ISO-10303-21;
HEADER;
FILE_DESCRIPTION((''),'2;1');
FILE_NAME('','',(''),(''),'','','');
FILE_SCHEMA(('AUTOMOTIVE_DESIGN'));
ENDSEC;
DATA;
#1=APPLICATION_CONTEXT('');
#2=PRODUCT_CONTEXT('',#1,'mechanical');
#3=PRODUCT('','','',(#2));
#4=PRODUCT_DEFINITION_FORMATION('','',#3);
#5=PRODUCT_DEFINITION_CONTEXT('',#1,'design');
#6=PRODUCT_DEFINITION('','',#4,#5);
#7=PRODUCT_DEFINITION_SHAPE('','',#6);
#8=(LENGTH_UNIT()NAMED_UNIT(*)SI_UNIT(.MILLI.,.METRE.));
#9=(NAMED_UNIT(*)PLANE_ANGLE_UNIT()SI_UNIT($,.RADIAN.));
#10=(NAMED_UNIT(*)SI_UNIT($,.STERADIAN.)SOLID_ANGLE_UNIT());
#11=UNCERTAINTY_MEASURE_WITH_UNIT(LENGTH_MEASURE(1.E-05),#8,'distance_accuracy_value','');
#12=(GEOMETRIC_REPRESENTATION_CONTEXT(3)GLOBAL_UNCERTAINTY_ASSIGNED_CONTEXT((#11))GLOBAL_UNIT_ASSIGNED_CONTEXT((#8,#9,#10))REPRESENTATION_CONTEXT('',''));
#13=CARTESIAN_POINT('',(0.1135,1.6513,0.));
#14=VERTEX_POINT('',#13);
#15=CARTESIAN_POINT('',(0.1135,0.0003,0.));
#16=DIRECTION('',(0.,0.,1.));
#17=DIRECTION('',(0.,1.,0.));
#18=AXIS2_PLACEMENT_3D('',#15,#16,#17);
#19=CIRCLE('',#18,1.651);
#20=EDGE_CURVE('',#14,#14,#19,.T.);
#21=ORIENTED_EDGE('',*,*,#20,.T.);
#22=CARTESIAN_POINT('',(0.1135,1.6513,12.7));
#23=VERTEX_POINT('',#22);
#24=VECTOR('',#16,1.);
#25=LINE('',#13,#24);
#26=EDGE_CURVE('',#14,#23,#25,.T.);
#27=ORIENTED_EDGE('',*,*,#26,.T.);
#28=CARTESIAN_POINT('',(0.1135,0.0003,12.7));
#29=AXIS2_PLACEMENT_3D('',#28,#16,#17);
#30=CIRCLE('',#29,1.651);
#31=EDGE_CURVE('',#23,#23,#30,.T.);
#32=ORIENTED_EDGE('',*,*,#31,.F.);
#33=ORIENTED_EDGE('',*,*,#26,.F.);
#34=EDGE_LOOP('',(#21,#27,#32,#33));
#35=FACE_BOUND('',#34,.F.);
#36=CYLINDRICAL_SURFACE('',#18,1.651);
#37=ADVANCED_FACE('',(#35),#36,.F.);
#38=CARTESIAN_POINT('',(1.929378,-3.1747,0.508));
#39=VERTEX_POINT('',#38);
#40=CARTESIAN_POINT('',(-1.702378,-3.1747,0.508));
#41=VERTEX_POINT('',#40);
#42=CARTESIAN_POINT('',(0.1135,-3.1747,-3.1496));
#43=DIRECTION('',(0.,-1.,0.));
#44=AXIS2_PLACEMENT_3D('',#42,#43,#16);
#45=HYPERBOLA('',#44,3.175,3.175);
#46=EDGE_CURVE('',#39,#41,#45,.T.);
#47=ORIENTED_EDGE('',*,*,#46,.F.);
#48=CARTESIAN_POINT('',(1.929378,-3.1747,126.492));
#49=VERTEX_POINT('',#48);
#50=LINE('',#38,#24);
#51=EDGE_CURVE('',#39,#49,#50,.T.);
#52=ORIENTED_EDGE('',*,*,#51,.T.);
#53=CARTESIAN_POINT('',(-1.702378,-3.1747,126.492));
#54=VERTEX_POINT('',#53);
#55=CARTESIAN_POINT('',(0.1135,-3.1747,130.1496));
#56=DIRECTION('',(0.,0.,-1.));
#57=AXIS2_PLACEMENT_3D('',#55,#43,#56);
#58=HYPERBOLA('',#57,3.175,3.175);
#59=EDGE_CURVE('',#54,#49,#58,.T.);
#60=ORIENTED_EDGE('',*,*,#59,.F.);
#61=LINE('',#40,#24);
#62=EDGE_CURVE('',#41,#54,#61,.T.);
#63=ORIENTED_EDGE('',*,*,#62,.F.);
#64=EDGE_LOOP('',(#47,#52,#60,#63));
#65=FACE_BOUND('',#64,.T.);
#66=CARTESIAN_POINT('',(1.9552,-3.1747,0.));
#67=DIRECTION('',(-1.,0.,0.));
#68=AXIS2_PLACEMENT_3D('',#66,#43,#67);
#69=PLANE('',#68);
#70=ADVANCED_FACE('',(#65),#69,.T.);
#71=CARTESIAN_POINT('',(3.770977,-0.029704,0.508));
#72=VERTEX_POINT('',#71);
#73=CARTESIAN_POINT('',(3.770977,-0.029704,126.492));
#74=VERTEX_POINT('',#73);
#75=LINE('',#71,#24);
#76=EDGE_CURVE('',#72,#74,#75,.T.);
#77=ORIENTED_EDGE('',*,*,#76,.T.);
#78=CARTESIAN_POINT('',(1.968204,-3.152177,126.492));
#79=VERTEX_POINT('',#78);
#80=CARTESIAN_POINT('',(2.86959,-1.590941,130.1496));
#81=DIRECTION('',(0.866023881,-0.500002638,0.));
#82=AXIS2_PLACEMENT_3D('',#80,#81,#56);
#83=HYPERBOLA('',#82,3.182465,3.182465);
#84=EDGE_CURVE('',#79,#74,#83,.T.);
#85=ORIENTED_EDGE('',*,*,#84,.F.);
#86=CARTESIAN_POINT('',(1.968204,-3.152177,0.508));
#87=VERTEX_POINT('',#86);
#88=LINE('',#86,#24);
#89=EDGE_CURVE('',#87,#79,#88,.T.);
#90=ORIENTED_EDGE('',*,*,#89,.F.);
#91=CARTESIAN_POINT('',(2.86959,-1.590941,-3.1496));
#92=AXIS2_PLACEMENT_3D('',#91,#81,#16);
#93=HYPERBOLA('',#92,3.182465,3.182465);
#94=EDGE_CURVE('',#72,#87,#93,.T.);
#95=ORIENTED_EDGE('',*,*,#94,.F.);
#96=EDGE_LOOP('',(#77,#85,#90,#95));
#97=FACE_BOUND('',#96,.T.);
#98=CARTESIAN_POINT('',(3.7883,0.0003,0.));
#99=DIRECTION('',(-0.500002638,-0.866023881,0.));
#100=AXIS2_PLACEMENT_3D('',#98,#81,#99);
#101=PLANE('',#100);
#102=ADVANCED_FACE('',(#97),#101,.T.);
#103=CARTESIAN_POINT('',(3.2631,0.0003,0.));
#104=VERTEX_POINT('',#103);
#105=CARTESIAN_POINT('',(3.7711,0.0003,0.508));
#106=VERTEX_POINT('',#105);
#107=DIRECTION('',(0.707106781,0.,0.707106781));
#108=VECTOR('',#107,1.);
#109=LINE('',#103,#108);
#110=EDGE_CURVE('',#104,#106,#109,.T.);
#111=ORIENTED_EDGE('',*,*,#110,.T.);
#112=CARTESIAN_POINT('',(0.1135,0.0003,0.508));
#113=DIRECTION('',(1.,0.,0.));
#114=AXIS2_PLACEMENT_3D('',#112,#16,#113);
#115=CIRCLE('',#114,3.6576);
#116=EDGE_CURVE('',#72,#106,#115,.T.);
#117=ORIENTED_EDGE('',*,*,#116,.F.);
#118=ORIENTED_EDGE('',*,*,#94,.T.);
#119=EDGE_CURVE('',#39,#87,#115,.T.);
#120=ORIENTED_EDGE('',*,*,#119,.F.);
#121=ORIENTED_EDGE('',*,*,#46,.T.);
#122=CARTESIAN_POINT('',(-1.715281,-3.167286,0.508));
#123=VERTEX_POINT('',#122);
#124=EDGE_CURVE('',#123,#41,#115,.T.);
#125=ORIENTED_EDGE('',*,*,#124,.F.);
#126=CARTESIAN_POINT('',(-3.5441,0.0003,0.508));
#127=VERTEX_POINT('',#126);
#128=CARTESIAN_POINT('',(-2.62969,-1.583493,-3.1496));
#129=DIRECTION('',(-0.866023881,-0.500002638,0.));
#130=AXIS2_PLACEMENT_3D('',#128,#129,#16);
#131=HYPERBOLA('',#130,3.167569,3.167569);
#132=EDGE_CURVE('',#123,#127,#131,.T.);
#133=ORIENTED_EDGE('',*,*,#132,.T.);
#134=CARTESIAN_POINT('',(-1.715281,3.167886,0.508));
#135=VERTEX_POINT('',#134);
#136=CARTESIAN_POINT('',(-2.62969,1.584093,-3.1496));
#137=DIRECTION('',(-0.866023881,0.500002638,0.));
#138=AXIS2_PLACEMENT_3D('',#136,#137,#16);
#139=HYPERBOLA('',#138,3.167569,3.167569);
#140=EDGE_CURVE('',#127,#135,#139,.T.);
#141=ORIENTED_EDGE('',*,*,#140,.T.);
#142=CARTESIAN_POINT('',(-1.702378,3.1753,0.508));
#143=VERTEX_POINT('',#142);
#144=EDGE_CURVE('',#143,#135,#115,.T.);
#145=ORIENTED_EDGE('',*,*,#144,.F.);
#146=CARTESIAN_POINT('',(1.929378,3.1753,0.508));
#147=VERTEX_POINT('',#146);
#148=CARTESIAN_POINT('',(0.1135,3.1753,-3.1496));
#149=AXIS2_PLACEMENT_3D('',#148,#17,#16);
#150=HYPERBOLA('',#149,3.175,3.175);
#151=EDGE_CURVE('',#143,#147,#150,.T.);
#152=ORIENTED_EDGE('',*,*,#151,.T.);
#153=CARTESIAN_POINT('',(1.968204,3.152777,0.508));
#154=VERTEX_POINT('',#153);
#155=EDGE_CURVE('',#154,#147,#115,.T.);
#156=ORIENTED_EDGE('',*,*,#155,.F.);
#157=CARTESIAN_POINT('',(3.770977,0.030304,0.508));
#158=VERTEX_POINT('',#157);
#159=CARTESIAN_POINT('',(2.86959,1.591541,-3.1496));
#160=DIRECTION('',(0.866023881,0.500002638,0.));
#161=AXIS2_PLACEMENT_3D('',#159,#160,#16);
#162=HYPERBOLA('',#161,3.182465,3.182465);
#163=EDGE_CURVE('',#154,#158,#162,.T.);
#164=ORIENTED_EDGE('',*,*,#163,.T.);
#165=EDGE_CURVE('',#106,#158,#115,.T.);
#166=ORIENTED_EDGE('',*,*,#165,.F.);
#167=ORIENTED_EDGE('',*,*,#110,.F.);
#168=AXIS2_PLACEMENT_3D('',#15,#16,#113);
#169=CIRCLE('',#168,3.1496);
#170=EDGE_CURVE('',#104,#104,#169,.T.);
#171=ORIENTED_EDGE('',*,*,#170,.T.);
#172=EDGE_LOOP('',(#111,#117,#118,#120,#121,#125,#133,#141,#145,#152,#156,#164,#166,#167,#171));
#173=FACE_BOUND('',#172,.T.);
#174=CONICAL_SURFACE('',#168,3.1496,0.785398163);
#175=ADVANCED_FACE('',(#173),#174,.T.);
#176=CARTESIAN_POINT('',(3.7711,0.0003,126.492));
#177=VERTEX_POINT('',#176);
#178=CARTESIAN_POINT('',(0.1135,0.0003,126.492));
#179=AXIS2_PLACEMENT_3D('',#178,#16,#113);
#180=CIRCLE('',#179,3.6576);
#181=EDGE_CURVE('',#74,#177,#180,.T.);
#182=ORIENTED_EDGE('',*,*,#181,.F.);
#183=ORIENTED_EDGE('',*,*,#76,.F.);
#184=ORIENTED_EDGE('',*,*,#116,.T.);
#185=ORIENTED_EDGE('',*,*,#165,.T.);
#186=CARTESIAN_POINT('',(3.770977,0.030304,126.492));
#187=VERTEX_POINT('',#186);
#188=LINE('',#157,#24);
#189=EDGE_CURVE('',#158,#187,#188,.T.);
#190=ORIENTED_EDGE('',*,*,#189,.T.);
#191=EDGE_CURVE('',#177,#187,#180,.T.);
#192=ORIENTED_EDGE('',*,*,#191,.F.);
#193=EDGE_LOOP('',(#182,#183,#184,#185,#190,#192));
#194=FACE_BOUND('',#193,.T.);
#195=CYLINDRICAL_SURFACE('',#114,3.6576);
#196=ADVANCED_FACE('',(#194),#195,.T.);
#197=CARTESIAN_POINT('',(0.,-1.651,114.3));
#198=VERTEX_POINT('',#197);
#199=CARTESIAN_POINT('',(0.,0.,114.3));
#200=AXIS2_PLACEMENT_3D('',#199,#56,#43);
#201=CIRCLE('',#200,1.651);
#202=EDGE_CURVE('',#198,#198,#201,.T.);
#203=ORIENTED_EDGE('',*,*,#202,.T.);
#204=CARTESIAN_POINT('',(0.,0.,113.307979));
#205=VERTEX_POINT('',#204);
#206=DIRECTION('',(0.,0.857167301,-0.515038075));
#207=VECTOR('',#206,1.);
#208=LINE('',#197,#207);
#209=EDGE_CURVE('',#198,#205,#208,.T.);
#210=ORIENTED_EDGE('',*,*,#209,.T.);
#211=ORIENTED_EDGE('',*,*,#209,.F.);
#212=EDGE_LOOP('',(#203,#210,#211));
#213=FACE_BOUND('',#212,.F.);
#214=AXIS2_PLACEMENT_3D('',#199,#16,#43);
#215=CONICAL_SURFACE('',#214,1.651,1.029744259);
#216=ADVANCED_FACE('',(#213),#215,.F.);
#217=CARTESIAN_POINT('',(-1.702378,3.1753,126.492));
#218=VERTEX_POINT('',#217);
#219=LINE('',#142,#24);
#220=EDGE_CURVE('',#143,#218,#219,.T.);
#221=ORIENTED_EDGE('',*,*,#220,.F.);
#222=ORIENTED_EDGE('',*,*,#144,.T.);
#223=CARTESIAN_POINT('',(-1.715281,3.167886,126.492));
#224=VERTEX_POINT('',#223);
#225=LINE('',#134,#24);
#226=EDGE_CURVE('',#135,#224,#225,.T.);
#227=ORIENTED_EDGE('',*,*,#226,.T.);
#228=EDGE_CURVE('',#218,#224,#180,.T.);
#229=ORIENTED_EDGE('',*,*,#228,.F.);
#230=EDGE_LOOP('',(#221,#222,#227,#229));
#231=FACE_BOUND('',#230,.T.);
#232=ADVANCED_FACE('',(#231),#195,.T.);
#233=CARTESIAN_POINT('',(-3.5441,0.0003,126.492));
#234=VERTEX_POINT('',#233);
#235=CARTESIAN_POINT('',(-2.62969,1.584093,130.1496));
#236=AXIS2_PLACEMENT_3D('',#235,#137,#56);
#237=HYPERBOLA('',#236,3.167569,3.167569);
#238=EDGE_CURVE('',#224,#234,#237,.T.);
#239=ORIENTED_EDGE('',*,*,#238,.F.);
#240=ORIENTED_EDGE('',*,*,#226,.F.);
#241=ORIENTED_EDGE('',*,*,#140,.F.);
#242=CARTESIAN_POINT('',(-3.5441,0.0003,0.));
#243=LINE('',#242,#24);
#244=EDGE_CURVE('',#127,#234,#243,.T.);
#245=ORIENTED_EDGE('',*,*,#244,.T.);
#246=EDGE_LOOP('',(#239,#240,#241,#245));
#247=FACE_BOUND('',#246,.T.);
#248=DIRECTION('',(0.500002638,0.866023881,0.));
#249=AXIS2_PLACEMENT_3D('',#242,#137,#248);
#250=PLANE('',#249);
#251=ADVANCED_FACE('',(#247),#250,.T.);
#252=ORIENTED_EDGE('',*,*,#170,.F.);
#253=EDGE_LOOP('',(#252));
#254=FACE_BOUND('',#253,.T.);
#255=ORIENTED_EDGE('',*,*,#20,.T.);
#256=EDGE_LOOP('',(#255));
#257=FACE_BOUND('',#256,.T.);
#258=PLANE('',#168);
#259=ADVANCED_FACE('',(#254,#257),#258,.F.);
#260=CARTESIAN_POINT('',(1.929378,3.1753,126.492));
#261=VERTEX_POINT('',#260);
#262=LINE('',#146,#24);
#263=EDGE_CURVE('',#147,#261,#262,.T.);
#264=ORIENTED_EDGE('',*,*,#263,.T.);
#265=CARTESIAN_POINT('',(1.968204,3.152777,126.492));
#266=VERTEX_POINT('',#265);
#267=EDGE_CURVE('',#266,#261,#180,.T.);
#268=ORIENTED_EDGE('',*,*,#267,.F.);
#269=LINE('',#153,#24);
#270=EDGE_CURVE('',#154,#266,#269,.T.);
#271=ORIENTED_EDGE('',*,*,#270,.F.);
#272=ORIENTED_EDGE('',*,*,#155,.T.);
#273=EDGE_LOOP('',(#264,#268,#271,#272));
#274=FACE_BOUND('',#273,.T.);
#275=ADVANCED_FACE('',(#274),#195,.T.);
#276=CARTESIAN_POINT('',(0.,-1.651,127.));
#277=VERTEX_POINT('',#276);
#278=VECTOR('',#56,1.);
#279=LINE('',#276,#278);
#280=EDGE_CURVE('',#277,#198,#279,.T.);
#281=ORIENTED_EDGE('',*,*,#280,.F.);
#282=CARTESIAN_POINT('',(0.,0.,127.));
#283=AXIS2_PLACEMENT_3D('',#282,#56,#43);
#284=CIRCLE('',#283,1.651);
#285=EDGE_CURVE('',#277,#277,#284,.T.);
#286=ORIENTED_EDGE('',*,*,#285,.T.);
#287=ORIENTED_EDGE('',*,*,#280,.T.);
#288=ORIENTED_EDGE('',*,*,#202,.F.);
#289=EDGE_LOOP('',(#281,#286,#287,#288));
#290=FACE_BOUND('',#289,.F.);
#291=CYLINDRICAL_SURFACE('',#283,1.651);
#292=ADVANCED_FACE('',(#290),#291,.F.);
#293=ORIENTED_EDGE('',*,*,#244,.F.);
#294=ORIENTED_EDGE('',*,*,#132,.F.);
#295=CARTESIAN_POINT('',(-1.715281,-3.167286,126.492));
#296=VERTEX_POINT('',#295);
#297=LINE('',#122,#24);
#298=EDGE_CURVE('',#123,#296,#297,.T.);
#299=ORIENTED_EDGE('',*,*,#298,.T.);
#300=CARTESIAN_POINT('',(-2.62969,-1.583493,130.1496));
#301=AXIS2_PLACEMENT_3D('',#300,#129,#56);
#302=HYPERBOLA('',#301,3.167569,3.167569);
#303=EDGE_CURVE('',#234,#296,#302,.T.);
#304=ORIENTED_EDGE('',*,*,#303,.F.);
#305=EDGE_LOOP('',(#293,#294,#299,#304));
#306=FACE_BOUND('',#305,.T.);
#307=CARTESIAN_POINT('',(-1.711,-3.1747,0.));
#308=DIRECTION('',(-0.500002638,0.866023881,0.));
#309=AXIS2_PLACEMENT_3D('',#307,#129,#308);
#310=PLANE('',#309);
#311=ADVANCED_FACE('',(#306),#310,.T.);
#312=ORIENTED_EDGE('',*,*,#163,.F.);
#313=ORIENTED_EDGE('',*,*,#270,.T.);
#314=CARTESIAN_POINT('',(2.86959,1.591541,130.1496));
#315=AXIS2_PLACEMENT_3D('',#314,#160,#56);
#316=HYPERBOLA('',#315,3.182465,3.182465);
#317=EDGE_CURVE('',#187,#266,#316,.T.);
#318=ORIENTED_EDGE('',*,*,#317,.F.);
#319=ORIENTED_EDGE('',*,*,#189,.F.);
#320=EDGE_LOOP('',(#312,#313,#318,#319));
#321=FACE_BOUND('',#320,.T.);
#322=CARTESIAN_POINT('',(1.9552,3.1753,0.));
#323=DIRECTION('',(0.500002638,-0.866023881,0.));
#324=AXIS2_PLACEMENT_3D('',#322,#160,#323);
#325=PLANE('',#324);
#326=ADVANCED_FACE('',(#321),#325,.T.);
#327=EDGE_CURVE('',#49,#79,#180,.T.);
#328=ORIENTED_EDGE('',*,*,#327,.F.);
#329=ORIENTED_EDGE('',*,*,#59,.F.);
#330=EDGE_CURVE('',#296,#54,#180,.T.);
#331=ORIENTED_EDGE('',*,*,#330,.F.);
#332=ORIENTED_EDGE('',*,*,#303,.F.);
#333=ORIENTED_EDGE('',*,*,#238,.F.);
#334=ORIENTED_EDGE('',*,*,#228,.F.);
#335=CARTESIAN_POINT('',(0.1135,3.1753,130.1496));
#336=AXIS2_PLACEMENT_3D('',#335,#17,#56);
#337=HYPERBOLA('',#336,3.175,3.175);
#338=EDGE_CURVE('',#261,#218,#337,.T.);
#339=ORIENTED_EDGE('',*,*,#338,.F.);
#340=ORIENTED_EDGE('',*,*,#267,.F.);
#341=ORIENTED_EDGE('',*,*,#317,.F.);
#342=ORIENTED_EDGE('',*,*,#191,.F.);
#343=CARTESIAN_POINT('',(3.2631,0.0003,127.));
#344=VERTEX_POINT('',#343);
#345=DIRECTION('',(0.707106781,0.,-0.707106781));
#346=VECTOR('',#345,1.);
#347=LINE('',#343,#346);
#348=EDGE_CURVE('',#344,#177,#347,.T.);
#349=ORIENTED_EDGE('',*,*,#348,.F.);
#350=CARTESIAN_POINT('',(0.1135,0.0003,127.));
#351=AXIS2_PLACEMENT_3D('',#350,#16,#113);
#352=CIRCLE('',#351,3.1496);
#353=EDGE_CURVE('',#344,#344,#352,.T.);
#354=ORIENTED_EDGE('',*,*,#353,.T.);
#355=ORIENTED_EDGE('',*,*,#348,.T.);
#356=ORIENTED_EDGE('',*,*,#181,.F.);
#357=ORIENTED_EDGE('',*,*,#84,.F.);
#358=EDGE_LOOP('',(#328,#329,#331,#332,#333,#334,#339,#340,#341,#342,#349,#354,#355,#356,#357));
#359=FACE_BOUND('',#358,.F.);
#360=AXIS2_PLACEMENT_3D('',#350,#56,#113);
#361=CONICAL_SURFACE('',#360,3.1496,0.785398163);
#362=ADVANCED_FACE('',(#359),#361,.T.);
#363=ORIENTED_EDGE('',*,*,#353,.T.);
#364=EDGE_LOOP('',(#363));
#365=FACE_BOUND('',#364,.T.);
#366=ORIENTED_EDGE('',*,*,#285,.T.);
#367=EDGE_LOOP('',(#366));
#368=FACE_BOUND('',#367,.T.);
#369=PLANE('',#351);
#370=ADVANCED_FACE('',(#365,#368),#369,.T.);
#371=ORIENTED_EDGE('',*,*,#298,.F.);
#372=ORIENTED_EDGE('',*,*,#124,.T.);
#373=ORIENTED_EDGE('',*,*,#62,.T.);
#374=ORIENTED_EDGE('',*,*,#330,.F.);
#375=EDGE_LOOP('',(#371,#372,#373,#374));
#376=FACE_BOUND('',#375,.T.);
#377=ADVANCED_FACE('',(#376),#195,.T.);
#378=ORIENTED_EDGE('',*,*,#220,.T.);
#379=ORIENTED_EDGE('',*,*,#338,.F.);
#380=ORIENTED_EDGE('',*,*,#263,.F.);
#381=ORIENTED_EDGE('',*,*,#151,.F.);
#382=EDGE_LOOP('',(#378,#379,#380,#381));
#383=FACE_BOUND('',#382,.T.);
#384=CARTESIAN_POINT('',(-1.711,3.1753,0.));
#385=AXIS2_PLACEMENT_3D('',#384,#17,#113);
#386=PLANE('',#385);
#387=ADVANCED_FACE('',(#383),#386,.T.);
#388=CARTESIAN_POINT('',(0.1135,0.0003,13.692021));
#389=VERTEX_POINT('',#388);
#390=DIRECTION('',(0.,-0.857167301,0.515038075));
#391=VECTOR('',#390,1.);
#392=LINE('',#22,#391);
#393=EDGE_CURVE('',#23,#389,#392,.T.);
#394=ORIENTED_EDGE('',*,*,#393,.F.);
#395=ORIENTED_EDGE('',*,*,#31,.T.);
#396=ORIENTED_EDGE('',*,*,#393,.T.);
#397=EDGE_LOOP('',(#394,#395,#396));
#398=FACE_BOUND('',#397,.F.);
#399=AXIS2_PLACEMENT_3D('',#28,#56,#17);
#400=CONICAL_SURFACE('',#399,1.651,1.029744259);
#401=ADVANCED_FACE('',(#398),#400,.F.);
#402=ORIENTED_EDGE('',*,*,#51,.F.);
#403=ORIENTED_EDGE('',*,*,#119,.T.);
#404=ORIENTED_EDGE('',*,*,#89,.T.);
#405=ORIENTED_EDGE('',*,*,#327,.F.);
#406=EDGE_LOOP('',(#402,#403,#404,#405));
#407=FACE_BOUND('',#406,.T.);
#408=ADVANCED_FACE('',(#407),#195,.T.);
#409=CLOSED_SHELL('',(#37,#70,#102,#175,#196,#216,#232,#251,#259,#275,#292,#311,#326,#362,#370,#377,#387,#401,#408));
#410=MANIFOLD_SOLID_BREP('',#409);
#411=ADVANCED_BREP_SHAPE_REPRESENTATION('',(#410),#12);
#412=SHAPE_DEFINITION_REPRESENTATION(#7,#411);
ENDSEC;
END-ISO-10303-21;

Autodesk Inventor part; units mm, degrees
ref_plane "YZ Plane" through (0, 0, 0) normal (1, 0, 0) x (0, 1, 0)
sketch "Sketch1" plane through (0, 0, 0) normal (0, 0, 1) x (1, 0, 0)
  line L0 (1.9552, -3.1747) -> (-1.711, -3.1747)
  line L1 (-1.711, -3.1747) -> (-3.5441, 0.0003)
  line L2 (-3.5441, 0.0003) -> (-1.711, 3.1753)
  line L3 (-1.711, 3.1753) -> (1.9552, 3.1753)
  line L4 (1.9552, 3.1753) -> (3.7883, 0.0003)
  line L5 (3.7883, 0.0003) -> (1.9552, -3.1747)
  point P0 (0.1221, 0.0003)
  dimension "d0" = 6.35
extrude "Extrusion1" add sketch "Sketch1" along normal blind 127
ref_plane "Work Plane1" through (-1.711, 0.0003, 0) normal (0, 1, 0) x (1, 0, 0)
sketch "Sketch3" plane through (-1.711, 0.0003, 0) normal (0, 1, 0) x (1, 0, 0)
  line L0 (-1.3251, 0) -> (4.9741, 0)
  line L1 (5.4821, -0.508) -> (5.4821, -126.492)
  line L2 (-1.8331, -126.492) -> (-1.8331, -0.508)
  line L3 (-1.8331, -0.508) -> (-1.3251, 0)
  line L4 (4.9741, 0) -> (5.4821, -0.508)
  line L5 (-1.8331, 0) -> (-1.8331, -127) projected
  line L6 (3.6662, 0) -> (5.4993, 0) projected
  line L7 (1.8245, 0) -> (1.8245, -127)
  line L8 (0, -127) -> (-1.8331, -127) projected
  line L9 (5.4993, -127) -> (3.6662, -127) projected
  line L10 (3.6662, -127) -> (0, -127) projected
  line L11 (-1.3251, -127) -> (-1.8331, -126.492)
  line L12 (4.9741, -127) -> (5.4821, -126.492)
  point P0 (-1.8331, 0)
  point P1 (5.4821, 0)
  point P2 (5.4821, -127)
  dimension "d5" = 0.508
  dimension "d6" = 0.508
  dimension "d7" = 0.508
  dimension "d8" = 0.508
  dimension "d16" = 0
  dimension "d46" = 0.508
  dimension "d47" = 0.508
  dimension "d48" = 0.508
  dimension "d49" = 0.508
revolve "Revolution1" cut sketch "Sketch3" angle 360 about axis through (0.1135, 0.0003, 0) along (0, 0, 1) keep common part contours L0 L4 L1 L12 L9 L10 L7
sketch "Sketch6" plane through (0.1135, 0.0003, 0) normal (0, 0, -1) x (-1, 0, 0)
  circle A0 centre (0, 0) radius 3.1496 projected
hole "Hole3" at (0.1135, 0.0003, 0) direction (0, 0, 1) diameter 3.302 depth 12.7 tip angle 118 thread size "8-32 UNC" class "2B" standard "ANSI Unified Screw Threads"
sketch "Sketch7" plane through (0, 0, 127) normal (0, 0, 1) x (1, 0, 0)
  point P0 (0, 0)
hole "Hole4" at (0, 0, 127) direction (0, 0, -1) diameter 3.302 depth 12.7 tip angle 118 thread size "8-32 UNC" class "2B" standard "ANSI Unified Screw Threads"
ref_plane "Work Plane2" through (0.1135, 0.0003, 63.5) normal (0, 0, -1) x (-1, 0, 0)
equation "\"d6\" = d5"
equation "\"d7\" = d5"
equation "\"d8\" = d7"
properties part number "5 inch Standoff" material "Steel"
